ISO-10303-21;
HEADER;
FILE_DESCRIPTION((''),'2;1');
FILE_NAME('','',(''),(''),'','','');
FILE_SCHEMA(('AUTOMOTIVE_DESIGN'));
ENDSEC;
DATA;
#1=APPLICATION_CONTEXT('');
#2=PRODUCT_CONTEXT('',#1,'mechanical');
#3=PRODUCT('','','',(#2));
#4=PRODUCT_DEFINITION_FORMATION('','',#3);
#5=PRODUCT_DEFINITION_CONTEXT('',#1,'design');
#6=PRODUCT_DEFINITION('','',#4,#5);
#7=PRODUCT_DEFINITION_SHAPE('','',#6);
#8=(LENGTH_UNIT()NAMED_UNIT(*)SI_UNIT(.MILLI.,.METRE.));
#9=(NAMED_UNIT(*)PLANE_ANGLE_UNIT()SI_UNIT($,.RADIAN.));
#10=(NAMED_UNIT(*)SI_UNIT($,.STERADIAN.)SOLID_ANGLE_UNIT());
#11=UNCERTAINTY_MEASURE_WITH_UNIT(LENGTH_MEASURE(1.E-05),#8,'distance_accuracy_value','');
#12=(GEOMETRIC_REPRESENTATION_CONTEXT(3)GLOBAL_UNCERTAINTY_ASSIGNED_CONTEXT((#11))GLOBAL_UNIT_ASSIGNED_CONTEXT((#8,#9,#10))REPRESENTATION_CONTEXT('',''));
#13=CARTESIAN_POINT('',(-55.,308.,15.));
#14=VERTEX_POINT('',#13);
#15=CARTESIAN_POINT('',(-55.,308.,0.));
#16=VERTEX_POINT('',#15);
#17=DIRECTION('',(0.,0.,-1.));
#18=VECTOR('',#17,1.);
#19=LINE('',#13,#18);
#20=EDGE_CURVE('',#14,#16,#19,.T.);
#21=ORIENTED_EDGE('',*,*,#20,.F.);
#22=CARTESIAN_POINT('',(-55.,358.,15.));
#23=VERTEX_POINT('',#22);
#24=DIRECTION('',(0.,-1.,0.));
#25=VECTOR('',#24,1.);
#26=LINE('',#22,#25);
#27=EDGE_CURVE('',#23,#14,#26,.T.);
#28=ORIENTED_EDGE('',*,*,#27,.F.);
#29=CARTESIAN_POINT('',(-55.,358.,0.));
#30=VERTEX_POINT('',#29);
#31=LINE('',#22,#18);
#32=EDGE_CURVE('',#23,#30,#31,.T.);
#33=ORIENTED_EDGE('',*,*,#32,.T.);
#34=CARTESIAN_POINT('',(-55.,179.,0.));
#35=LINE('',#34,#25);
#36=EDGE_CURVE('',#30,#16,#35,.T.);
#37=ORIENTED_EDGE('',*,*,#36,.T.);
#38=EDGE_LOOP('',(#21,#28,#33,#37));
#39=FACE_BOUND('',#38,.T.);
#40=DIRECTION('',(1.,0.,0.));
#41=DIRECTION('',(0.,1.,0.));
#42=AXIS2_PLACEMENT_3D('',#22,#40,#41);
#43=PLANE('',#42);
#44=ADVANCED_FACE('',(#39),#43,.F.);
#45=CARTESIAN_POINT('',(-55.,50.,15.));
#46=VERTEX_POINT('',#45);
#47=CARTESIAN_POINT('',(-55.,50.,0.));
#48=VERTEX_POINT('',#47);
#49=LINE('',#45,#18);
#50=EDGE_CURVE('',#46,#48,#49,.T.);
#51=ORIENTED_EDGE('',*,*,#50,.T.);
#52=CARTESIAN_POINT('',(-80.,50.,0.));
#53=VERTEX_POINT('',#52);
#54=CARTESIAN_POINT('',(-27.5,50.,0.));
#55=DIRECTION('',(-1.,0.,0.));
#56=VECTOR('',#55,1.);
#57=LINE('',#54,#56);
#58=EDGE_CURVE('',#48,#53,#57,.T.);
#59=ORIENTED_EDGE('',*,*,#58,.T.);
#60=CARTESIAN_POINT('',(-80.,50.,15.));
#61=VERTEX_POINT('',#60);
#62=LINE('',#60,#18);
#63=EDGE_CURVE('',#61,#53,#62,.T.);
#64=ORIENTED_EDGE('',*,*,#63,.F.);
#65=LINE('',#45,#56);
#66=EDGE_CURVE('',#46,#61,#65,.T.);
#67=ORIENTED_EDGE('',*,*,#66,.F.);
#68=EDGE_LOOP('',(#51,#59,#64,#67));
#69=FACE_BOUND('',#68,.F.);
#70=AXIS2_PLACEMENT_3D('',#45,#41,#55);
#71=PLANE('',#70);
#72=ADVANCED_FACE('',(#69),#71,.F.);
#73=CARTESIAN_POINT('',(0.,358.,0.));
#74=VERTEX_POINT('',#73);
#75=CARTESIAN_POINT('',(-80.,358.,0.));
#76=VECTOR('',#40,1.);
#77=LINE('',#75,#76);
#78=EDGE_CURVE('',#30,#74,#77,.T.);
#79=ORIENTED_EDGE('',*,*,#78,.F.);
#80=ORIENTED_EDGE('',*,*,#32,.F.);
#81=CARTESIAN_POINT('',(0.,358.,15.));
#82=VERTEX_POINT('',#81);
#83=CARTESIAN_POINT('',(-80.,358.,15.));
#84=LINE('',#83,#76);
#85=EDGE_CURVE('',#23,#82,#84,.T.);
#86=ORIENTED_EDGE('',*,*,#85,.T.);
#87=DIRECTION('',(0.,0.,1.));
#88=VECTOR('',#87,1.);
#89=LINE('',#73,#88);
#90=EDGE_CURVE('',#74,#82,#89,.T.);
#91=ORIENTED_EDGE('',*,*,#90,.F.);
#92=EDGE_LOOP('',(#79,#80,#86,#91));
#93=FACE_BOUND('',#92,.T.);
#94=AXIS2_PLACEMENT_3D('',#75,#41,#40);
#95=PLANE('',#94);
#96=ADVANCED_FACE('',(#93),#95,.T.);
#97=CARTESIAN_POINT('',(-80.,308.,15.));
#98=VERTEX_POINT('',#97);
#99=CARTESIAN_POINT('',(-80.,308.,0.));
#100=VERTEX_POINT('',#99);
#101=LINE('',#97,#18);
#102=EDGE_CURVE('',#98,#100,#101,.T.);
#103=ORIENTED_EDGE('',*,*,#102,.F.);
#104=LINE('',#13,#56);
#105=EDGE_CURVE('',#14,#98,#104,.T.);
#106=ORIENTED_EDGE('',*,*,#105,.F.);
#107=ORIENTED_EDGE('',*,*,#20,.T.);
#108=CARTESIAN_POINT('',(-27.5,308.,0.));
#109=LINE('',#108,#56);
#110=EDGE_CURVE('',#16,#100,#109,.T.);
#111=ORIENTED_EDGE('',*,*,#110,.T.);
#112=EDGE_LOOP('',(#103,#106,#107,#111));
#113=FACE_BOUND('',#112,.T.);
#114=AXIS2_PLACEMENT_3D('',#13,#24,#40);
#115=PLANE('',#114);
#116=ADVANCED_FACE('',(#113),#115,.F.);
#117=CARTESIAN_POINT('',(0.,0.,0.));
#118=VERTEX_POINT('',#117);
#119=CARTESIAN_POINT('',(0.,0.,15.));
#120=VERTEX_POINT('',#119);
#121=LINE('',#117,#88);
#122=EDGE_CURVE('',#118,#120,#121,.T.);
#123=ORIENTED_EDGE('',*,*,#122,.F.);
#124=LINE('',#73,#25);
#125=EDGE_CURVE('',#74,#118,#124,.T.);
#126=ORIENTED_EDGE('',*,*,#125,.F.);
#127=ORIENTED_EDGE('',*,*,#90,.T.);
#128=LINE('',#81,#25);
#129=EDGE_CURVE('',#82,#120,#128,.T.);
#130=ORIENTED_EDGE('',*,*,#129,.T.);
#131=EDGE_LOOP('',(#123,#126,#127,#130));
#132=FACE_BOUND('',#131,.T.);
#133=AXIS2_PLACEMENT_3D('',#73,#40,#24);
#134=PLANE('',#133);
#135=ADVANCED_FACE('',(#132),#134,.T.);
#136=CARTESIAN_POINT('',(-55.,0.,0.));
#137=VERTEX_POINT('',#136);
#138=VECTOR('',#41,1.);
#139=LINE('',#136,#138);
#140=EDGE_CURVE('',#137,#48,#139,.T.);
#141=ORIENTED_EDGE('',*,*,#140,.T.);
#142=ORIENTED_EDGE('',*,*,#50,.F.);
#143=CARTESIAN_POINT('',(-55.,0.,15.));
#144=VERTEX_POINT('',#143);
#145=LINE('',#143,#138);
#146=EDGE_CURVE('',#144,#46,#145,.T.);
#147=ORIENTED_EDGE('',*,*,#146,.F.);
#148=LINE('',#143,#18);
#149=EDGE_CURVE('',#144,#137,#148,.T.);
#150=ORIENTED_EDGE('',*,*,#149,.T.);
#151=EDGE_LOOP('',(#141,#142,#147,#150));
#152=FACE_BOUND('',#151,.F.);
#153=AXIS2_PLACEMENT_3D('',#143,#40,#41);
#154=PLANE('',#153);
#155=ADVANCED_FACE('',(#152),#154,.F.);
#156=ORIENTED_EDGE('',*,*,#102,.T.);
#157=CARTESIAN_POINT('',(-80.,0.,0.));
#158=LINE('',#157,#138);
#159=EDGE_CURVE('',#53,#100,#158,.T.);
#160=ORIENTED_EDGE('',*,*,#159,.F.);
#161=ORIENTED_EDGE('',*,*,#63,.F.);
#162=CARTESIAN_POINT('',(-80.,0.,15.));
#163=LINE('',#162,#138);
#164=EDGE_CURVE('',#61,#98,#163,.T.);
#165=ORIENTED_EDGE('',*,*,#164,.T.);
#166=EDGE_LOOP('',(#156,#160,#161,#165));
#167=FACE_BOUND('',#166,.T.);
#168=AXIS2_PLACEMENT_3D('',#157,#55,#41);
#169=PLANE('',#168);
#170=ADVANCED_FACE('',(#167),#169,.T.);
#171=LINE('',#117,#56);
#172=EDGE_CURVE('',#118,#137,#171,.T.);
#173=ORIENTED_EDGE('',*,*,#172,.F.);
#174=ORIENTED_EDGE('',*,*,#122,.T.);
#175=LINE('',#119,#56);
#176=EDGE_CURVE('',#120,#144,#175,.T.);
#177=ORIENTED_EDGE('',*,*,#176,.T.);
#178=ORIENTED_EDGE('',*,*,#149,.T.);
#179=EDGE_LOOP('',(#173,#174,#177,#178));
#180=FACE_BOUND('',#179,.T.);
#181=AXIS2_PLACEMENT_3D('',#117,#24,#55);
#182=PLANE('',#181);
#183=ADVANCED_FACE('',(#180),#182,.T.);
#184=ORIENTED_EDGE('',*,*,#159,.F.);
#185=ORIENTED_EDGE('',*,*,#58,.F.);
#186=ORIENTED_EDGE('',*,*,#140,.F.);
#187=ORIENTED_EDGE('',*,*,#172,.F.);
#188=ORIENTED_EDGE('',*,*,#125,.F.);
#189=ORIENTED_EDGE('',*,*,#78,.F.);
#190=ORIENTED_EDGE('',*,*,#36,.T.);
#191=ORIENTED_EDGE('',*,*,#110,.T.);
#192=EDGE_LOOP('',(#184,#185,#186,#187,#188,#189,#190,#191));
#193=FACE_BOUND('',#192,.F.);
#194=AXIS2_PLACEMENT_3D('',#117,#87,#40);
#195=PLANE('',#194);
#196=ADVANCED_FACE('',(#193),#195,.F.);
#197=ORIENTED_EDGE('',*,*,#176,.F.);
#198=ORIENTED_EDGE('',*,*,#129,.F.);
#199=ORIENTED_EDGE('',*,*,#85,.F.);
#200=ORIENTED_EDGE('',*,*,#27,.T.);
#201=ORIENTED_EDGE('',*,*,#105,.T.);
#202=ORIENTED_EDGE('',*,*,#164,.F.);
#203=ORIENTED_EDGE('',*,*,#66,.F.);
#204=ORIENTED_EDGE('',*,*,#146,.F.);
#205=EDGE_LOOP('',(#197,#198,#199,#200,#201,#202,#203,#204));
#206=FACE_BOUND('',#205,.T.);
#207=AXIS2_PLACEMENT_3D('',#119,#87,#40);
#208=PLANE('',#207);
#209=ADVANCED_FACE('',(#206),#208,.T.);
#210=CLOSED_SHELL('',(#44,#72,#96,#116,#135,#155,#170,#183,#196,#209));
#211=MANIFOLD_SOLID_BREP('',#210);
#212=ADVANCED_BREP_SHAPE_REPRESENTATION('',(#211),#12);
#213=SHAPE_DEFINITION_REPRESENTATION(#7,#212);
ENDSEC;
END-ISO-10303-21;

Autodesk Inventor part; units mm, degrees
ref_plane "YZ Plane" through (0, 0, 0) normal (1, 0, 0) x (0, 1, 0)
ref_plane "XZ Plane" through (0, 0, 0) normal (0, 1, 0) x (-1, 0, 0)
ref_plane "XY Plane" through (0, 0, 0) normal (0, 0, 1) x (1, 0, 0)
sketch "Sketch1" plane through (0, 0, 0) normal (0, 0, 1) x (1, 0, 0)
  line L0 (0, 0) -> (-80, 0)
  line L1 (-80, 0) -> (-80, 358)
  line L2 (-80, 358) -> (0, 358)
  line L3 (0, 358) -> (0, 0)
  dimension "d0" = 80
  dimension "d1" = 358
extrude "Extrusion1" add sketch "Sketch1" along normal blind 15
sketch "Sketch2" plane through (0, 0, 15) normal (0, 0, 1) x (1, 0, 0)
  line L0 (-80, 0) -> (0, 0) projected
  line L1 (-80, 0) -> (-55, 0)
  line L2 (-55, 0) -> (-55, 50)
  line L3 (-55, 50) -> (-80, 50)
  line L4 (-80, 50) -> (-80, 0)
  dimension "d4" = 25
  dimension "d5" = 50
extrude "Extrusion2" cut sketch "Sketch2" against normal through all
ref_plane "Work Plane1" through (0, 179, 0) normal (0, -1, 0) x (1, 0, 0)
mirror "Mirror1" about plane through (0, 179, 0) normal (0, -1, 0) of "Extrusion2"
properties part number "MPX-rib" material "Wood (Cherry)"
